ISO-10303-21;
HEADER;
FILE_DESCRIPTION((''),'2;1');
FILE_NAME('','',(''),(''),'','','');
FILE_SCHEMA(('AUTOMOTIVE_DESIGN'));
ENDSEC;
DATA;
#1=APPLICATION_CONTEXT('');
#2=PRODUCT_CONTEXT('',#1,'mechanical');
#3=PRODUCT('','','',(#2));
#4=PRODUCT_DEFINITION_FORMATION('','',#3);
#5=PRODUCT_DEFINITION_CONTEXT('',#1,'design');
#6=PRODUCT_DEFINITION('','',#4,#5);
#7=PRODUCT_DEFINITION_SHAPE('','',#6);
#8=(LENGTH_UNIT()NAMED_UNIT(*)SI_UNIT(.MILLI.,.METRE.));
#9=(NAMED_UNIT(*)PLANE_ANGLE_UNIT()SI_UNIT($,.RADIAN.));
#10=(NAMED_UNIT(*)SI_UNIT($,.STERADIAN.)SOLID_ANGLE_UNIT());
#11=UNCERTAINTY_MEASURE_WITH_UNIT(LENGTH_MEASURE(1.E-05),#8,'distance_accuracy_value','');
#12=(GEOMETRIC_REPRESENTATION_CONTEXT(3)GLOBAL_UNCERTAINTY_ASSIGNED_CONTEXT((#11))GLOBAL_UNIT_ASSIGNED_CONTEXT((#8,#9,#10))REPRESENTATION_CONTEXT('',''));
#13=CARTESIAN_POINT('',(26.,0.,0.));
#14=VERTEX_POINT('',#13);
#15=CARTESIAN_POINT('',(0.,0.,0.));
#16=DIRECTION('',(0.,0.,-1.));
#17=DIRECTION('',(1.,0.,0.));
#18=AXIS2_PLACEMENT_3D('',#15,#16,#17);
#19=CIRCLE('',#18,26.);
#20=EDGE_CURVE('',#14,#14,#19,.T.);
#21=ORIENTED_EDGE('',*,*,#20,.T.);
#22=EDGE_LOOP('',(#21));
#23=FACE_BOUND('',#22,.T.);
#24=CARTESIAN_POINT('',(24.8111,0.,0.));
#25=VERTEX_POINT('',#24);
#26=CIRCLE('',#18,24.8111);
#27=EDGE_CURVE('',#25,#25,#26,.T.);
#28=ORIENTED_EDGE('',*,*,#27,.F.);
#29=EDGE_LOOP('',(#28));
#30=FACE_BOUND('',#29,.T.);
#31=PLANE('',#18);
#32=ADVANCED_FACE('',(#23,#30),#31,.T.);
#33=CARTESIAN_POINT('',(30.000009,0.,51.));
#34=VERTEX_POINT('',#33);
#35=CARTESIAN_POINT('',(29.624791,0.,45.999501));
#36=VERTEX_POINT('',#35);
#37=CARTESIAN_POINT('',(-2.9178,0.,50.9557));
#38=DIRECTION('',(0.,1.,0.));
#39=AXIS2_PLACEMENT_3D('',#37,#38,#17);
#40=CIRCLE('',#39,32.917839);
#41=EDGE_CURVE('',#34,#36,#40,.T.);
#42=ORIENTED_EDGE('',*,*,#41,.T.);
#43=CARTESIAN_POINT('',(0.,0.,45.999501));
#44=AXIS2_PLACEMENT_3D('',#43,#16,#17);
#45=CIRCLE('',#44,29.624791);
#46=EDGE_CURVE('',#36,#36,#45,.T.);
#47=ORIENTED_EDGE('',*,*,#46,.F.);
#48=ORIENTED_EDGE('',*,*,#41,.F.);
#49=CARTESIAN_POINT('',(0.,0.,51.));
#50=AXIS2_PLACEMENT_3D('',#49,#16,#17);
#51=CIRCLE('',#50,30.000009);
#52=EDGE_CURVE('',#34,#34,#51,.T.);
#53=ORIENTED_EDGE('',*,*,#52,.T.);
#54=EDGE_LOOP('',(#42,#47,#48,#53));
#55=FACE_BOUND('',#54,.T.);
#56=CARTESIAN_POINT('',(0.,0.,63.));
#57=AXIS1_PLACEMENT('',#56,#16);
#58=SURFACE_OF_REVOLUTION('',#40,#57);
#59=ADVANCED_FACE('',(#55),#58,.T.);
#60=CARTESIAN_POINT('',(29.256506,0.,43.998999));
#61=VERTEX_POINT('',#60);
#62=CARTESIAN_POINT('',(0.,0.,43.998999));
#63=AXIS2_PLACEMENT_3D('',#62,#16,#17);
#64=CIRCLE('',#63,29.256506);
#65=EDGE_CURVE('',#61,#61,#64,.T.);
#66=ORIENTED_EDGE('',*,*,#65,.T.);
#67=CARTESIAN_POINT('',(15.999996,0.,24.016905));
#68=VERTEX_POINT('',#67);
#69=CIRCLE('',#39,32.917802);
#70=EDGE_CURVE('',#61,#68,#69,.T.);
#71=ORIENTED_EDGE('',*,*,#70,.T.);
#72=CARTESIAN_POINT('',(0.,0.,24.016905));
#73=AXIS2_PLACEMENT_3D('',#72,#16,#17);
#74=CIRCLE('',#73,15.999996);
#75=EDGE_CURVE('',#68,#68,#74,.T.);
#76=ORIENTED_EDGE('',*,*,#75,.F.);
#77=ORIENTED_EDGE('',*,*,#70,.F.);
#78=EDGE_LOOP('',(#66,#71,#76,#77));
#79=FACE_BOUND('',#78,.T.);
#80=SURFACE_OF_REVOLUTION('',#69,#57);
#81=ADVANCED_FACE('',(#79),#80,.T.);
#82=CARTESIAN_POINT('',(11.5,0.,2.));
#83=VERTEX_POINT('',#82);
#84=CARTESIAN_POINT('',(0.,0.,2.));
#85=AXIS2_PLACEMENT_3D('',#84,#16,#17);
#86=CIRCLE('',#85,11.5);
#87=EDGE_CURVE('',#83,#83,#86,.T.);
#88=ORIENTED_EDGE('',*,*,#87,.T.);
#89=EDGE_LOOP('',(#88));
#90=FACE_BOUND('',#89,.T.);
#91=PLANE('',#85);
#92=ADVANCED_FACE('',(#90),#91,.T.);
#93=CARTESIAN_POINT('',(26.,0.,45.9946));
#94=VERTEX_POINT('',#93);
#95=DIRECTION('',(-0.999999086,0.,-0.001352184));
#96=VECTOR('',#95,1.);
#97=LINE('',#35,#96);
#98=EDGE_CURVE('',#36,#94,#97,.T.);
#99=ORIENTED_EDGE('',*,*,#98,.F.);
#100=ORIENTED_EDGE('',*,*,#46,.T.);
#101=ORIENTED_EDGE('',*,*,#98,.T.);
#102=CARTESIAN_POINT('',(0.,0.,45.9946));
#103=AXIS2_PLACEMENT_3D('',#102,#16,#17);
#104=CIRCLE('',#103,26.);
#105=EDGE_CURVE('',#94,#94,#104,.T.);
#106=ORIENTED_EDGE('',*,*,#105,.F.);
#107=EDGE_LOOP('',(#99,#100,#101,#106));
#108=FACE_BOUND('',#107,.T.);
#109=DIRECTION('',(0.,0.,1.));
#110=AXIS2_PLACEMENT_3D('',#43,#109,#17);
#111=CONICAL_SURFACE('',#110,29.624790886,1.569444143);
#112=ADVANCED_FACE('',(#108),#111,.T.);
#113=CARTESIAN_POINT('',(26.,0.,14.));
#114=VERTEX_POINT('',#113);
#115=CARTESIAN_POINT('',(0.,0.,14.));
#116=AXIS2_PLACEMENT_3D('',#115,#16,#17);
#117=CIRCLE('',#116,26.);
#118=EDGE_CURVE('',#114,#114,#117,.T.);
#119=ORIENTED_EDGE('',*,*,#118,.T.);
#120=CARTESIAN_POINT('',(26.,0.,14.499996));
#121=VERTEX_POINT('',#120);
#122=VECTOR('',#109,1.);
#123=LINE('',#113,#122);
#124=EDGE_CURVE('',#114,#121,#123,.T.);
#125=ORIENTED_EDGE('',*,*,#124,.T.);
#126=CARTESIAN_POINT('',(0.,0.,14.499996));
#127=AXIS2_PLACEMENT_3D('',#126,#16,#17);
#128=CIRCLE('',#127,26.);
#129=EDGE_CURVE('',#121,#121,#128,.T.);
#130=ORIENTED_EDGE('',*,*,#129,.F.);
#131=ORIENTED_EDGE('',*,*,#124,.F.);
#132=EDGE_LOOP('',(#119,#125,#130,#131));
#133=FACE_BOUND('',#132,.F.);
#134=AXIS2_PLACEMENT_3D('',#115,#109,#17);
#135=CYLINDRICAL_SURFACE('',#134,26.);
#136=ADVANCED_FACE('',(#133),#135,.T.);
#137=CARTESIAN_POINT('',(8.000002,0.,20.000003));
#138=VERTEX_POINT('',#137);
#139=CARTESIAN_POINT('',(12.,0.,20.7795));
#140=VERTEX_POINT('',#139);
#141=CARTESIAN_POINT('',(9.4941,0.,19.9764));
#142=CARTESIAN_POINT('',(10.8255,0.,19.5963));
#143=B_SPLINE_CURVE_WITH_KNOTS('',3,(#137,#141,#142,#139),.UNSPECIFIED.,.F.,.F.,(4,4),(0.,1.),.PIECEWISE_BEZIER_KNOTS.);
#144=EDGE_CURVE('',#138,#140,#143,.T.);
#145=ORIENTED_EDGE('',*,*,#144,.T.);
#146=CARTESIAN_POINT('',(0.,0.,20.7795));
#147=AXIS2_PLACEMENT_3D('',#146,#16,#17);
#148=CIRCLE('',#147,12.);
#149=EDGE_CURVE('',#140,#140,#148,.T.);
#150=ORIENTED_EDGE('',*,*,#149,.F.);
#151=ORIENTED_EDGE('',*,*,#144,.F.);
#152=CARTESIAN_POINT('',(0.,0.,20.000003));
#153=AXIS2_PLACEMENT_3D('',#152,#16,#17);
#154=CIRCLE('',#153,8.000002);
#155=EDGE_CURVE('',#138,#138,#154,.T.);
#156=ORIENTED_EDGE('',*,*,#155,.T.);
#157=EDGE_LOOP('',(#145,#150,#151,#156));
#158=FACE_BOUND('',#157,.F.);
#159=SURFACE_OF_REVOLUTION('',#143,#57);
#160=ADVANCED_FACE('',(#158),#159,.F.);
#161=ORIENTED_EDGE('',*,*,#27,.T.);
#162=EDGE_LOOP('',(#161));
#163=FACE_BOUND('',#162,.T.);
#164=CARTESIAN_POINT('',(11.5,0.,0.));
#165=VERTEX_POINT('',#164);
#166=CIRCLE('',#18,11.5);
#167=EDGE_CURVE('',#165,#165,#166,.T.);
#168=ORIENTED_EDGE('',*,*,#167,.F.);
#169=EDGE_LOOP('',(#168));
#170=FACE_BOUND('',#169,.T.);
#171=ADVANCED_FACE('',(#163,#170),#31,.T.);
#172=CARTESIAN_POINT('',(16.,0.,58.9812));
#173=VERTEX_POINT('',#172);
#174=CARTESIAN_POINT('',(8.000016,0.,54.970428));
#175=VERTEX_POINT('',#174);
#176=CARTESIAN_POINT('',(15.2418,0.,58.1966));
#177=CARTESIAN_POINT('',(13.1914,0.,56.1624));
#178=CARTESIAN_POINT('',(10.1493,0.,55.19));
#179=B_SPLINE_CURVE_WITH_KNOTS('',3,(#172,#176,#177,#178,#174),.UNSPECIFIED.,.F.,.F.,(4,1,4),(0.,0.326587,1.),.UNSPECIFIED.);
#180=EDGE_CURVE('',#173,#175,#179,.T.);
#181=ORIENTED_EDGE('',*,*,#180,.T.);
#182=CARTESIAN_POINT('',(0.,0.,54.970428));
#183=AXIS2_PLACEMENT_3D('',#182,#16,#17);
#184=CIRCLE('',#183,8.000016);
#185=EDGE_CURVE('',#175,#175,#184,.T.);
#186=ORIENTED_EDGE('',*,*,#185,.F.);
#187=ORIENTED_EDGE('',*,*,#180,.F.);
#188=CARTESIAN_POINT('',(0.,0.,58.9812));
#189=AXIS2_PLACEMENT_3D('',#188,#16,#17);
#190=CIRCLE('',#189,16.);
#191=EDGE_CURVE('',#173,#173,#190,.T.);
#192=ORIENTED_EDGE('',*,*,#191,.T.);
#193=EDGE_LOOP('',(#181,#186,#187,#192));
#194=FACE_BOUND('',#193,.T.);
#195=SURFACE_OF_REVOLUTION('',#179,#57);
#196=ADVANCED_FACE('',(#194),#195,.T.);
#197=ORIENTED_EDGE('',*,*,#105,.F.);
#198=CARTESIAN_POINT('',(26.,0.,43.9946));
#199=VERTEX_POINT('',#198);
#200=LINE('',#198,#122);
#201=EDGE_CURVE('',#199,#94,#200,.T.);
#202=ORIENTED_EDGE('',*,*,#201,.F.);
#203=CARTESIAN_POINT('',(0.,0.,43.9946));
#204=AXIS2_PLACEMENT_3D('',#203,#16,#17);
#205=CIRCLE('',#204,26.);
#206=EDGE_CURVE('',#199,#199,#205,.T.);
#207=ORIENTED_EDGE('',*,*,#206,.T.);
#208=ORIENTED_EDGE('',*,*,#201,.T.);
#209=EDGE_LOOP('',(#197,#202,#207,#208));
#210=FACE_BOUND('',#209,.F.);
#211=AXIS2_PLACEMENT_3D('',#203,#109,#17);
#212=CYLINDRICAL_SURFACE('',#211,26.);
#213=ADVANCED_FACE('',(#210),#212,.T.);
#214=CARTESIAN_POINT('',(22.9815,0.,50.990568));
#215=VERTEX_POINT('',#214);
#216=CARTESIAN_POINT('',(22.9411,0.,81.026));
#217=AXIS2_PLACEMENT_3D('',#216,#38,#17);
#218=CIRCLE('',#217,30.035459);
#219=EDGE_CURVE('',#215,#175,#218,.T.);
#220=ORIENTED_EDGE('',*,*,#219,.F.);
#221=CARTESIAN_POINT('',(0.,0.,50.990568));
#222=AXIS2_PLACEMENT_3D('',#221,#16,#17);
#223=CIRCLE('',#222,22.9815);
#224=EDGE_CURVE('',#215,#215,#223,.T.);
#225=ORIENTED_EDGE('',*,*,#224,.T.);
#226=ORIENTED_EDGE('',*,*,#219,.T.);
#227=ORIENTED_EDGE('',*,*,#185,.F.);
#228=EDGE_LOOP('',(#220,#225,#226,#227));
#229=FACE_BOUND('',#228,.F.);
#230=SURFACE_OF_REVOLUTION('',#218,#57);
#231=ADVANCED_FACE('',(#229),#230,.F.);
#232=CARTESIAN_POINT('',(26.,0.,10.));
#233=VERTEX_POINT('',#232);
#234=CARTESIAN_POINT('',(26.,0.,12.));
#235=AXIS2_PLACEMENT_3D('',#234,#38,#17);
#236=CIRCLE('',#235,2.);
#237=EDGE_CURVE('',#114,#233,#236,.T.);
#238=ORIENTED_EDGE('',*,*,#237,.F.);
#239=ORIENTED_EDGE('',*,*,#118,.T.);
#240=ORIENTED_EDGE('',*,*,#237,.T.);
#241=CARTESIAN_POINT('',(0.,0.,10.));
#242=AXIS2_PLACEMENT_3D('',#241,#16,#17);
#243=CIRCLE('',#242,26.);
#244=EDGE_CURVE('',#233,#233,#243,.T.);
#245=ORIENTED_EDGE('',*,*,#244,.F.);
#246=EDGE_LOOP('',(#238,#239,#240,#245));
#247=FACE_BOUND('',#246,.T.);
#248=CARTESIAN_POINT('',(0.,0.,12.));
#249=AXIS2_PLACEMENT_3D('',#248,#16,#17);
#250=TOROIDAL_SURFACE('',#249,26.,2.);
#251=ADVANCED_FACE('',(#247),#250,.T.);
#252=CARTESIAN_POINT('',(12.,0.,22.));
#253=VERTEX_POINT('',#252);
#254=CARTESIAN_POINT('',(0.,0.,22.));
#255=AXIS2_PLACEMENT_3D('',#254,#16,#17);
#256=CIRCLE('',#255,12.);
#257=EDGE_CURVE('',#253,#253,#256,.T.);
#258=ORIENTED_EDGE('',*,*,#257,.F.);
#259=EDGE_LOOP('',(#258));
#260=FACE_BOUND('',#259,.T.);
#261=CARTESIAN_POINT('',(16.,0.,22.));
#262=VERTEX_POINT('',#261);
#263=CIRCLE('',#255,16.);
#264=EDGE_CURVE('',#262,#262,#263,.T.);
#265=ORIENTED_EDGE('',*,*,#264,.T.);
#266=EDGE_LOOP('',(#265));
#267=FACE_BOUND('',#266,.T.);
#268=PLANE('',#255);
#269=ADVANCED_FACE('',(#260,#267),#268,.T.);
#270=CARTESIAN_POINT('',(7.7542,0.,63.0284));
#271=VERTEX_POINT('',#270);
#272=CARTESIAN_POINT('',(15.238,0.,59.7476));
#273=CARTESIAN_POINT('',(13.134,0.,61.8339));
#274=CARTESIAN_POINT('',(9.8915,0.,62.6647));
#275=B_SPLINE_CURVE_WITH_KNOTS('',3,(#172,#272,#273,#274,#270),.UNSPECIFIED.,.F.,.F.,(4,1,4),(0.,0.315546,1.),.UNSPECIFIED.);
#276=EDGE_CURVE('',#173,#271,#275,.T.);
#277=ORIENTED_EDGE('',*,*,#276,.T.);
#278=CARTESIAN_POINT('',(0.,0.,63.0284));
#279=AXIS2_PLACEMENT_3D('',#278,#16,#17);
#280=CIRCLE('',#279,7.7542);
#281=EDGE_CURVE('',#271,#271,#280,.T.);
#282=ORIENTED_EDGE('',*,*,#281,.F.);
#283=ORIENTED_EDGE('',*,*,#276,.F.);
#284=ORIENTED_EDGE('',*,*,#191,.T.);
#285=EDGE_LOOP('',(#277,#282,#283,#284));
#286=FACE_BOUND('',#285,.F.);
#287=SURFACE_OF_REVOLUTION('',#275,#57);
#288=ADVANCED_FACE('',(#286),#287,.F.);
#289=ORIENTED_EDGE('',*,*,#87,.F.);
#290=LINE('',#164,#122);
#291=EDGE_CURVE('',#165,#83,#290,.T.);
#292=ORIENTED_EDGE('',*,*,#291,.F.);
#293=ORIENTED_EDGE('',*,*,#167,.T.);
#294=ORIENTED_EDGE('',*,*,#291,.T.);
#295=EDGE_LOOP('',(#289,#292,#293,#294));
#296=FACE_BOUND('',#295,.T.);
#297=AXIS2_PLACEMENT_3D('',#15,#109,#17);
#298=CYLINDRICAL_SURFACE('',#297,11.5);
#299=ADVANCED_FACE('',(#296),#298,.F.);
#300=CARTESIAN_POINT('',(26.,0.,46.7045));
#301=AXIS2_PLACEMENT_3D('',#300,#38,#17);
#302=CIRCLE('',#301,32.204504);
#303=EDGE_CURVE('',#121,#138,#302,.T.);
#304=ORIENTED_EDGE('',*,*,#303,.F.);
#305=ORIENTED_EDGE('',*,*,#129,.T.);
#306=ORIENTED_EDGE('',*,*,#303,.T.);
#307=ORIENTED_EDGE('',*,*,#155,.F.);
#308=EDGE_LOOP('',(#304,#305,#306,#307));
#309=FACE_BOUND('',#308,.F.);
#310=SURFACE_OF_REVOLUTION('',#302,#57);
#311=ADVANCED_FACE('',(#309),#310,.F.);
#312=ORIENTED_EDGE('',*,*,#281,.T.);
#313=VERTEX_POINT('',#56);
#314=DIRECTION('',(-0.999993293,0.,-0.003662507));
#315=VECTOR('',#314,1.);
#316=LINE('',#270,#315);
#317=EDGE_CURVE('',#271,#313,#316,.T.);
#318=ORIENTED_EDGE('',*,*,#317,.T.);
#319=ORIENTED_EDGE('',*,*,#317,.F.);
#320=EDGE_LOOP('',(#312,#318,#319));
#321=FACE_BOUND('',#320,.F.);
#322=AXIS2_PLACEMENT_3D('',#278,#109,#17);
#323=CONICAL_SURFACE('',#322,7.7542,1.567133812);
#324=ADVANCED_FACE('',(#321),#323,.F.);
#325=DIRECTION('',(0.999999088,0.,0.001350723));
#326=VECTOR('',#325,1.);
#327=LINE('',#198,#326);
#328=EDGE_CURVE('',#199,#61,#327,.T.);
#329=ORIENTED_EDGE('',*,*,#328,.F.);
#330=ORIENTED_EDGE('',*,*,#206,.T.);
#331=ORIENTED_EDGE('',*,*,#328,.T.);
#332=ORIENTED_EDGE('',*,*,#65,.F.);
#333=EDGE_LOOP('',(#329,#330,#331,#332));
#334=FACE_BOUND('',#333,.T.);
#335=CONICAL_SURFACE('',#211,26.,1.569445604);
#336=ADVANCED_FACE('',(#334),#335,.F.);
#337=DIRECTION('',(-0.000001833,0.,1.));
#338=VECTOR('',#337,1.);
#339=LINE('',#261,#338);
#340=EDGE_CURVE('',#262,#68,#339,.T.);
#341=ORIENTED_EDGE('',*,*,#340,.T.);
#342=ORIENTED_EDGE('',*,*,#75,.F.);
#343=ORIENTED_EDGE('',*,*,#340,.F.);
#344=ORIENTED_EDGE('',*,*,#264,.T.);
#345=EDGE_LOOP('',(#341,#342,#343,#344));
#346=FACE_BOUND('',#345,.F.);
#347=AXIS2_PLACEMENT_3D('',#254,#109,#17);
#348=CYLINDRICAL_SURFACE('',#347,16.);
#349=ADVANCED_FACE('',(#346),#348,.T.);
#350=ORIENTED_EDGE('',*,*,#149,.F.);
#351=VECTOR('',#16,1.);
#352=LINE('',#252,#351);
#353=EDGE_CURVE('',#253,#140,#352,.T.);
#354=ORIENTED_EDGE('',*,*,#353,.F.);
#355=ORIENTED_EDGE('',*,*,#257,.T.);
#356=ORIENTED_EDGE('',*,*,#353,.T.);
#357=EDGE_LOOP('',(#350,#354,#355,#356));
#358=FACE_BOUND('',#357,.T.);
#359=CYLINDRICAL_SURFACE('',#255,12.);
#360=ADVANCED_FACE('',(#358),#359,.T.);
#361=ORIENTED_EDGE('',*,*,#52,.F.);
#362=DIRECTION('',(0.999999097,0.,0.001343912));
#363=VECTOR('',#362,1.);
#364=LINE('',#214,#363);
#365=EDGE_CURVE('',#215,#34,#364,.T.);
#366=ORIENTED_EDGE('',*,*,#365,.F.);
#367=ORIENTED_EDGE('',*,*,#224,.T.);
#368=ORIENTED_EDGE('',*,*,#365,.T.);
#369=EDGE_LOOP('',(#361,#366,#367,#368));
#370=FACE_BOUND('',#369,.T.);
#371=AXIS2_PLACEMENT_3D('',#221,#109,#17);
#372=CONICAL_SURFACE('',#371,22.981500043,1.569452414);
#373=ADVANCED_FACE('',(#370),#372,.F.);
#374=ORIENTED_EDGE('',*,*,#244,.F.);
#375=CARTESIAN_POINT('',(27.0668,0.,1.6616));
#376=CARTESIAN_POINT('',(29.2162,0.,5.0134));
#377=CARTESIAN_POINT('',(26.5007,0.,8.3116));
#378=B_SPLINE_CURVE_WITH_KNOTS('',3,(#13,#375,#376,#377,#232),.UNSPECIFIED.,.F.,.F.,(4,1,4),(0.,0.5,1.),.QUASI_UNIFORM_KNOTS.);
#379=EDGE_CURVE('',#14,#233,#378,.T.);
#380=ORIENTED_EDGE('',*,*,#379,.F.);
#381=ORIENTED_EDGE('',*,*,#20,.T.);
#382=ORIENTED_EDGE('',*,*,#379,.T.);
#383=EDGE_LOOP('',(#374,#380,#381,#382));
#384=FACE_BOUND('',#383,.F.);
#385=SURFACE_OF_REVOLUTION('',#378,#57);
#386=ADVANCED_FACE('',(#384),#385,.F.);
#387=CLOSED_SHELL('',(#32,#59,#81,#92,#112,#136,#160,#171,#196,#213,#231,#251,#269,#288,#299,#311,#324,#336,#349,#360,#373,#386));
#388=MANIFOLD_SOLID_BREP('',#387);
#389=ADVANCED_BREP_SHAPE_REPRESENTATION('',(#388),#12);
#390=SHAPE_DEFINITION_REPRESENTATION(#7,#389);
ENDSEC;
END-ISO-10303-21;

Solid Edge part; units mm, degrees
sketch "Sketch1" plane through (0, 0, 0) normal (0, -1, 0) x (1, 0, 0)
  line L0 (7.7542, 63.0284) -> (0, 63)
  line L1 (0, 63) -> (0, 2)
  line L2 (11.5, 2) -> (0, 2)
  line L3 (11.5, 0) -> (11.5, 2)
  line L4 (24.8111, 0) -> (11.5, 0)
  line L5 (26, 0) -> (24.8111, 0)
  spline S0 degree 3 poles (26, 0) (27.0668, 1.6616) (29.2162, 5.0134) (26.5007, 8.3116) (26, 10) knots 0 0 0 0 0.5 1 1 1 1
  arc A0 (26, 14) -> (26, 10) centre (26, 12) cw
  line L6 (26, 14) -> (26, 14.5)
  arc A1 (26, 14.5) -> (8, 20) centre (26, 46.7045) cw
  spline S1 degree 3 poles (8, 20) (9.4941, 19.9764) (10.8255, 19.5963) (12, 20.7795) knots 0 0 0 0 1 1 1 1
  line L7 (12, 22) -> (12, 20.7795)
  line L8 (16, 22) -> (12, 22)
  line L9 (16, 22) -> (16, 24.0169)
  arc A2 (29.2565, 43.999) -> (16, 24.0169) centre (-2.9178, 50.9557) cw
  line L10 (26, 43.9946) -> (29.2565, 43.999)
  line L11 (26, 43.9946) -> (26, 45.9946)
  line L12 (29.6248, 45.9995) -> (26, 45.9946)
  arc A3 (30, 51) -> (29.6248, 45.9995) centre (-2.9178, 50.9557) cw
  line L13 (22.9815, 50.9906) -> (30, 51)
  arc A4 (22.9815, 50.9906) -> (8, 54.9704) centre (22.9411, 81.026) cw
  spline S2 degree 3 poles (16, 58.9812) (15.2418, 58.1966) (13.1914, 56.1624) (10.1493, 55.19) (8, 54.9704) knots 0 0 0 0 0.326587 1 1 1 1
  spline S3 degree 3 poles (16, 58.9812) (15.238, 59.7476) (13.134, 61.8339) (9.8915, 62.6647) (7.7542, 63.0284) knots 0 0 0 0 0.315546 1 1 1 1
revolve "RevolvedProtrusion1" add sketch "Sketch1" angle 360 about axis through (0, 0, 63) along (0, 0, -1)
